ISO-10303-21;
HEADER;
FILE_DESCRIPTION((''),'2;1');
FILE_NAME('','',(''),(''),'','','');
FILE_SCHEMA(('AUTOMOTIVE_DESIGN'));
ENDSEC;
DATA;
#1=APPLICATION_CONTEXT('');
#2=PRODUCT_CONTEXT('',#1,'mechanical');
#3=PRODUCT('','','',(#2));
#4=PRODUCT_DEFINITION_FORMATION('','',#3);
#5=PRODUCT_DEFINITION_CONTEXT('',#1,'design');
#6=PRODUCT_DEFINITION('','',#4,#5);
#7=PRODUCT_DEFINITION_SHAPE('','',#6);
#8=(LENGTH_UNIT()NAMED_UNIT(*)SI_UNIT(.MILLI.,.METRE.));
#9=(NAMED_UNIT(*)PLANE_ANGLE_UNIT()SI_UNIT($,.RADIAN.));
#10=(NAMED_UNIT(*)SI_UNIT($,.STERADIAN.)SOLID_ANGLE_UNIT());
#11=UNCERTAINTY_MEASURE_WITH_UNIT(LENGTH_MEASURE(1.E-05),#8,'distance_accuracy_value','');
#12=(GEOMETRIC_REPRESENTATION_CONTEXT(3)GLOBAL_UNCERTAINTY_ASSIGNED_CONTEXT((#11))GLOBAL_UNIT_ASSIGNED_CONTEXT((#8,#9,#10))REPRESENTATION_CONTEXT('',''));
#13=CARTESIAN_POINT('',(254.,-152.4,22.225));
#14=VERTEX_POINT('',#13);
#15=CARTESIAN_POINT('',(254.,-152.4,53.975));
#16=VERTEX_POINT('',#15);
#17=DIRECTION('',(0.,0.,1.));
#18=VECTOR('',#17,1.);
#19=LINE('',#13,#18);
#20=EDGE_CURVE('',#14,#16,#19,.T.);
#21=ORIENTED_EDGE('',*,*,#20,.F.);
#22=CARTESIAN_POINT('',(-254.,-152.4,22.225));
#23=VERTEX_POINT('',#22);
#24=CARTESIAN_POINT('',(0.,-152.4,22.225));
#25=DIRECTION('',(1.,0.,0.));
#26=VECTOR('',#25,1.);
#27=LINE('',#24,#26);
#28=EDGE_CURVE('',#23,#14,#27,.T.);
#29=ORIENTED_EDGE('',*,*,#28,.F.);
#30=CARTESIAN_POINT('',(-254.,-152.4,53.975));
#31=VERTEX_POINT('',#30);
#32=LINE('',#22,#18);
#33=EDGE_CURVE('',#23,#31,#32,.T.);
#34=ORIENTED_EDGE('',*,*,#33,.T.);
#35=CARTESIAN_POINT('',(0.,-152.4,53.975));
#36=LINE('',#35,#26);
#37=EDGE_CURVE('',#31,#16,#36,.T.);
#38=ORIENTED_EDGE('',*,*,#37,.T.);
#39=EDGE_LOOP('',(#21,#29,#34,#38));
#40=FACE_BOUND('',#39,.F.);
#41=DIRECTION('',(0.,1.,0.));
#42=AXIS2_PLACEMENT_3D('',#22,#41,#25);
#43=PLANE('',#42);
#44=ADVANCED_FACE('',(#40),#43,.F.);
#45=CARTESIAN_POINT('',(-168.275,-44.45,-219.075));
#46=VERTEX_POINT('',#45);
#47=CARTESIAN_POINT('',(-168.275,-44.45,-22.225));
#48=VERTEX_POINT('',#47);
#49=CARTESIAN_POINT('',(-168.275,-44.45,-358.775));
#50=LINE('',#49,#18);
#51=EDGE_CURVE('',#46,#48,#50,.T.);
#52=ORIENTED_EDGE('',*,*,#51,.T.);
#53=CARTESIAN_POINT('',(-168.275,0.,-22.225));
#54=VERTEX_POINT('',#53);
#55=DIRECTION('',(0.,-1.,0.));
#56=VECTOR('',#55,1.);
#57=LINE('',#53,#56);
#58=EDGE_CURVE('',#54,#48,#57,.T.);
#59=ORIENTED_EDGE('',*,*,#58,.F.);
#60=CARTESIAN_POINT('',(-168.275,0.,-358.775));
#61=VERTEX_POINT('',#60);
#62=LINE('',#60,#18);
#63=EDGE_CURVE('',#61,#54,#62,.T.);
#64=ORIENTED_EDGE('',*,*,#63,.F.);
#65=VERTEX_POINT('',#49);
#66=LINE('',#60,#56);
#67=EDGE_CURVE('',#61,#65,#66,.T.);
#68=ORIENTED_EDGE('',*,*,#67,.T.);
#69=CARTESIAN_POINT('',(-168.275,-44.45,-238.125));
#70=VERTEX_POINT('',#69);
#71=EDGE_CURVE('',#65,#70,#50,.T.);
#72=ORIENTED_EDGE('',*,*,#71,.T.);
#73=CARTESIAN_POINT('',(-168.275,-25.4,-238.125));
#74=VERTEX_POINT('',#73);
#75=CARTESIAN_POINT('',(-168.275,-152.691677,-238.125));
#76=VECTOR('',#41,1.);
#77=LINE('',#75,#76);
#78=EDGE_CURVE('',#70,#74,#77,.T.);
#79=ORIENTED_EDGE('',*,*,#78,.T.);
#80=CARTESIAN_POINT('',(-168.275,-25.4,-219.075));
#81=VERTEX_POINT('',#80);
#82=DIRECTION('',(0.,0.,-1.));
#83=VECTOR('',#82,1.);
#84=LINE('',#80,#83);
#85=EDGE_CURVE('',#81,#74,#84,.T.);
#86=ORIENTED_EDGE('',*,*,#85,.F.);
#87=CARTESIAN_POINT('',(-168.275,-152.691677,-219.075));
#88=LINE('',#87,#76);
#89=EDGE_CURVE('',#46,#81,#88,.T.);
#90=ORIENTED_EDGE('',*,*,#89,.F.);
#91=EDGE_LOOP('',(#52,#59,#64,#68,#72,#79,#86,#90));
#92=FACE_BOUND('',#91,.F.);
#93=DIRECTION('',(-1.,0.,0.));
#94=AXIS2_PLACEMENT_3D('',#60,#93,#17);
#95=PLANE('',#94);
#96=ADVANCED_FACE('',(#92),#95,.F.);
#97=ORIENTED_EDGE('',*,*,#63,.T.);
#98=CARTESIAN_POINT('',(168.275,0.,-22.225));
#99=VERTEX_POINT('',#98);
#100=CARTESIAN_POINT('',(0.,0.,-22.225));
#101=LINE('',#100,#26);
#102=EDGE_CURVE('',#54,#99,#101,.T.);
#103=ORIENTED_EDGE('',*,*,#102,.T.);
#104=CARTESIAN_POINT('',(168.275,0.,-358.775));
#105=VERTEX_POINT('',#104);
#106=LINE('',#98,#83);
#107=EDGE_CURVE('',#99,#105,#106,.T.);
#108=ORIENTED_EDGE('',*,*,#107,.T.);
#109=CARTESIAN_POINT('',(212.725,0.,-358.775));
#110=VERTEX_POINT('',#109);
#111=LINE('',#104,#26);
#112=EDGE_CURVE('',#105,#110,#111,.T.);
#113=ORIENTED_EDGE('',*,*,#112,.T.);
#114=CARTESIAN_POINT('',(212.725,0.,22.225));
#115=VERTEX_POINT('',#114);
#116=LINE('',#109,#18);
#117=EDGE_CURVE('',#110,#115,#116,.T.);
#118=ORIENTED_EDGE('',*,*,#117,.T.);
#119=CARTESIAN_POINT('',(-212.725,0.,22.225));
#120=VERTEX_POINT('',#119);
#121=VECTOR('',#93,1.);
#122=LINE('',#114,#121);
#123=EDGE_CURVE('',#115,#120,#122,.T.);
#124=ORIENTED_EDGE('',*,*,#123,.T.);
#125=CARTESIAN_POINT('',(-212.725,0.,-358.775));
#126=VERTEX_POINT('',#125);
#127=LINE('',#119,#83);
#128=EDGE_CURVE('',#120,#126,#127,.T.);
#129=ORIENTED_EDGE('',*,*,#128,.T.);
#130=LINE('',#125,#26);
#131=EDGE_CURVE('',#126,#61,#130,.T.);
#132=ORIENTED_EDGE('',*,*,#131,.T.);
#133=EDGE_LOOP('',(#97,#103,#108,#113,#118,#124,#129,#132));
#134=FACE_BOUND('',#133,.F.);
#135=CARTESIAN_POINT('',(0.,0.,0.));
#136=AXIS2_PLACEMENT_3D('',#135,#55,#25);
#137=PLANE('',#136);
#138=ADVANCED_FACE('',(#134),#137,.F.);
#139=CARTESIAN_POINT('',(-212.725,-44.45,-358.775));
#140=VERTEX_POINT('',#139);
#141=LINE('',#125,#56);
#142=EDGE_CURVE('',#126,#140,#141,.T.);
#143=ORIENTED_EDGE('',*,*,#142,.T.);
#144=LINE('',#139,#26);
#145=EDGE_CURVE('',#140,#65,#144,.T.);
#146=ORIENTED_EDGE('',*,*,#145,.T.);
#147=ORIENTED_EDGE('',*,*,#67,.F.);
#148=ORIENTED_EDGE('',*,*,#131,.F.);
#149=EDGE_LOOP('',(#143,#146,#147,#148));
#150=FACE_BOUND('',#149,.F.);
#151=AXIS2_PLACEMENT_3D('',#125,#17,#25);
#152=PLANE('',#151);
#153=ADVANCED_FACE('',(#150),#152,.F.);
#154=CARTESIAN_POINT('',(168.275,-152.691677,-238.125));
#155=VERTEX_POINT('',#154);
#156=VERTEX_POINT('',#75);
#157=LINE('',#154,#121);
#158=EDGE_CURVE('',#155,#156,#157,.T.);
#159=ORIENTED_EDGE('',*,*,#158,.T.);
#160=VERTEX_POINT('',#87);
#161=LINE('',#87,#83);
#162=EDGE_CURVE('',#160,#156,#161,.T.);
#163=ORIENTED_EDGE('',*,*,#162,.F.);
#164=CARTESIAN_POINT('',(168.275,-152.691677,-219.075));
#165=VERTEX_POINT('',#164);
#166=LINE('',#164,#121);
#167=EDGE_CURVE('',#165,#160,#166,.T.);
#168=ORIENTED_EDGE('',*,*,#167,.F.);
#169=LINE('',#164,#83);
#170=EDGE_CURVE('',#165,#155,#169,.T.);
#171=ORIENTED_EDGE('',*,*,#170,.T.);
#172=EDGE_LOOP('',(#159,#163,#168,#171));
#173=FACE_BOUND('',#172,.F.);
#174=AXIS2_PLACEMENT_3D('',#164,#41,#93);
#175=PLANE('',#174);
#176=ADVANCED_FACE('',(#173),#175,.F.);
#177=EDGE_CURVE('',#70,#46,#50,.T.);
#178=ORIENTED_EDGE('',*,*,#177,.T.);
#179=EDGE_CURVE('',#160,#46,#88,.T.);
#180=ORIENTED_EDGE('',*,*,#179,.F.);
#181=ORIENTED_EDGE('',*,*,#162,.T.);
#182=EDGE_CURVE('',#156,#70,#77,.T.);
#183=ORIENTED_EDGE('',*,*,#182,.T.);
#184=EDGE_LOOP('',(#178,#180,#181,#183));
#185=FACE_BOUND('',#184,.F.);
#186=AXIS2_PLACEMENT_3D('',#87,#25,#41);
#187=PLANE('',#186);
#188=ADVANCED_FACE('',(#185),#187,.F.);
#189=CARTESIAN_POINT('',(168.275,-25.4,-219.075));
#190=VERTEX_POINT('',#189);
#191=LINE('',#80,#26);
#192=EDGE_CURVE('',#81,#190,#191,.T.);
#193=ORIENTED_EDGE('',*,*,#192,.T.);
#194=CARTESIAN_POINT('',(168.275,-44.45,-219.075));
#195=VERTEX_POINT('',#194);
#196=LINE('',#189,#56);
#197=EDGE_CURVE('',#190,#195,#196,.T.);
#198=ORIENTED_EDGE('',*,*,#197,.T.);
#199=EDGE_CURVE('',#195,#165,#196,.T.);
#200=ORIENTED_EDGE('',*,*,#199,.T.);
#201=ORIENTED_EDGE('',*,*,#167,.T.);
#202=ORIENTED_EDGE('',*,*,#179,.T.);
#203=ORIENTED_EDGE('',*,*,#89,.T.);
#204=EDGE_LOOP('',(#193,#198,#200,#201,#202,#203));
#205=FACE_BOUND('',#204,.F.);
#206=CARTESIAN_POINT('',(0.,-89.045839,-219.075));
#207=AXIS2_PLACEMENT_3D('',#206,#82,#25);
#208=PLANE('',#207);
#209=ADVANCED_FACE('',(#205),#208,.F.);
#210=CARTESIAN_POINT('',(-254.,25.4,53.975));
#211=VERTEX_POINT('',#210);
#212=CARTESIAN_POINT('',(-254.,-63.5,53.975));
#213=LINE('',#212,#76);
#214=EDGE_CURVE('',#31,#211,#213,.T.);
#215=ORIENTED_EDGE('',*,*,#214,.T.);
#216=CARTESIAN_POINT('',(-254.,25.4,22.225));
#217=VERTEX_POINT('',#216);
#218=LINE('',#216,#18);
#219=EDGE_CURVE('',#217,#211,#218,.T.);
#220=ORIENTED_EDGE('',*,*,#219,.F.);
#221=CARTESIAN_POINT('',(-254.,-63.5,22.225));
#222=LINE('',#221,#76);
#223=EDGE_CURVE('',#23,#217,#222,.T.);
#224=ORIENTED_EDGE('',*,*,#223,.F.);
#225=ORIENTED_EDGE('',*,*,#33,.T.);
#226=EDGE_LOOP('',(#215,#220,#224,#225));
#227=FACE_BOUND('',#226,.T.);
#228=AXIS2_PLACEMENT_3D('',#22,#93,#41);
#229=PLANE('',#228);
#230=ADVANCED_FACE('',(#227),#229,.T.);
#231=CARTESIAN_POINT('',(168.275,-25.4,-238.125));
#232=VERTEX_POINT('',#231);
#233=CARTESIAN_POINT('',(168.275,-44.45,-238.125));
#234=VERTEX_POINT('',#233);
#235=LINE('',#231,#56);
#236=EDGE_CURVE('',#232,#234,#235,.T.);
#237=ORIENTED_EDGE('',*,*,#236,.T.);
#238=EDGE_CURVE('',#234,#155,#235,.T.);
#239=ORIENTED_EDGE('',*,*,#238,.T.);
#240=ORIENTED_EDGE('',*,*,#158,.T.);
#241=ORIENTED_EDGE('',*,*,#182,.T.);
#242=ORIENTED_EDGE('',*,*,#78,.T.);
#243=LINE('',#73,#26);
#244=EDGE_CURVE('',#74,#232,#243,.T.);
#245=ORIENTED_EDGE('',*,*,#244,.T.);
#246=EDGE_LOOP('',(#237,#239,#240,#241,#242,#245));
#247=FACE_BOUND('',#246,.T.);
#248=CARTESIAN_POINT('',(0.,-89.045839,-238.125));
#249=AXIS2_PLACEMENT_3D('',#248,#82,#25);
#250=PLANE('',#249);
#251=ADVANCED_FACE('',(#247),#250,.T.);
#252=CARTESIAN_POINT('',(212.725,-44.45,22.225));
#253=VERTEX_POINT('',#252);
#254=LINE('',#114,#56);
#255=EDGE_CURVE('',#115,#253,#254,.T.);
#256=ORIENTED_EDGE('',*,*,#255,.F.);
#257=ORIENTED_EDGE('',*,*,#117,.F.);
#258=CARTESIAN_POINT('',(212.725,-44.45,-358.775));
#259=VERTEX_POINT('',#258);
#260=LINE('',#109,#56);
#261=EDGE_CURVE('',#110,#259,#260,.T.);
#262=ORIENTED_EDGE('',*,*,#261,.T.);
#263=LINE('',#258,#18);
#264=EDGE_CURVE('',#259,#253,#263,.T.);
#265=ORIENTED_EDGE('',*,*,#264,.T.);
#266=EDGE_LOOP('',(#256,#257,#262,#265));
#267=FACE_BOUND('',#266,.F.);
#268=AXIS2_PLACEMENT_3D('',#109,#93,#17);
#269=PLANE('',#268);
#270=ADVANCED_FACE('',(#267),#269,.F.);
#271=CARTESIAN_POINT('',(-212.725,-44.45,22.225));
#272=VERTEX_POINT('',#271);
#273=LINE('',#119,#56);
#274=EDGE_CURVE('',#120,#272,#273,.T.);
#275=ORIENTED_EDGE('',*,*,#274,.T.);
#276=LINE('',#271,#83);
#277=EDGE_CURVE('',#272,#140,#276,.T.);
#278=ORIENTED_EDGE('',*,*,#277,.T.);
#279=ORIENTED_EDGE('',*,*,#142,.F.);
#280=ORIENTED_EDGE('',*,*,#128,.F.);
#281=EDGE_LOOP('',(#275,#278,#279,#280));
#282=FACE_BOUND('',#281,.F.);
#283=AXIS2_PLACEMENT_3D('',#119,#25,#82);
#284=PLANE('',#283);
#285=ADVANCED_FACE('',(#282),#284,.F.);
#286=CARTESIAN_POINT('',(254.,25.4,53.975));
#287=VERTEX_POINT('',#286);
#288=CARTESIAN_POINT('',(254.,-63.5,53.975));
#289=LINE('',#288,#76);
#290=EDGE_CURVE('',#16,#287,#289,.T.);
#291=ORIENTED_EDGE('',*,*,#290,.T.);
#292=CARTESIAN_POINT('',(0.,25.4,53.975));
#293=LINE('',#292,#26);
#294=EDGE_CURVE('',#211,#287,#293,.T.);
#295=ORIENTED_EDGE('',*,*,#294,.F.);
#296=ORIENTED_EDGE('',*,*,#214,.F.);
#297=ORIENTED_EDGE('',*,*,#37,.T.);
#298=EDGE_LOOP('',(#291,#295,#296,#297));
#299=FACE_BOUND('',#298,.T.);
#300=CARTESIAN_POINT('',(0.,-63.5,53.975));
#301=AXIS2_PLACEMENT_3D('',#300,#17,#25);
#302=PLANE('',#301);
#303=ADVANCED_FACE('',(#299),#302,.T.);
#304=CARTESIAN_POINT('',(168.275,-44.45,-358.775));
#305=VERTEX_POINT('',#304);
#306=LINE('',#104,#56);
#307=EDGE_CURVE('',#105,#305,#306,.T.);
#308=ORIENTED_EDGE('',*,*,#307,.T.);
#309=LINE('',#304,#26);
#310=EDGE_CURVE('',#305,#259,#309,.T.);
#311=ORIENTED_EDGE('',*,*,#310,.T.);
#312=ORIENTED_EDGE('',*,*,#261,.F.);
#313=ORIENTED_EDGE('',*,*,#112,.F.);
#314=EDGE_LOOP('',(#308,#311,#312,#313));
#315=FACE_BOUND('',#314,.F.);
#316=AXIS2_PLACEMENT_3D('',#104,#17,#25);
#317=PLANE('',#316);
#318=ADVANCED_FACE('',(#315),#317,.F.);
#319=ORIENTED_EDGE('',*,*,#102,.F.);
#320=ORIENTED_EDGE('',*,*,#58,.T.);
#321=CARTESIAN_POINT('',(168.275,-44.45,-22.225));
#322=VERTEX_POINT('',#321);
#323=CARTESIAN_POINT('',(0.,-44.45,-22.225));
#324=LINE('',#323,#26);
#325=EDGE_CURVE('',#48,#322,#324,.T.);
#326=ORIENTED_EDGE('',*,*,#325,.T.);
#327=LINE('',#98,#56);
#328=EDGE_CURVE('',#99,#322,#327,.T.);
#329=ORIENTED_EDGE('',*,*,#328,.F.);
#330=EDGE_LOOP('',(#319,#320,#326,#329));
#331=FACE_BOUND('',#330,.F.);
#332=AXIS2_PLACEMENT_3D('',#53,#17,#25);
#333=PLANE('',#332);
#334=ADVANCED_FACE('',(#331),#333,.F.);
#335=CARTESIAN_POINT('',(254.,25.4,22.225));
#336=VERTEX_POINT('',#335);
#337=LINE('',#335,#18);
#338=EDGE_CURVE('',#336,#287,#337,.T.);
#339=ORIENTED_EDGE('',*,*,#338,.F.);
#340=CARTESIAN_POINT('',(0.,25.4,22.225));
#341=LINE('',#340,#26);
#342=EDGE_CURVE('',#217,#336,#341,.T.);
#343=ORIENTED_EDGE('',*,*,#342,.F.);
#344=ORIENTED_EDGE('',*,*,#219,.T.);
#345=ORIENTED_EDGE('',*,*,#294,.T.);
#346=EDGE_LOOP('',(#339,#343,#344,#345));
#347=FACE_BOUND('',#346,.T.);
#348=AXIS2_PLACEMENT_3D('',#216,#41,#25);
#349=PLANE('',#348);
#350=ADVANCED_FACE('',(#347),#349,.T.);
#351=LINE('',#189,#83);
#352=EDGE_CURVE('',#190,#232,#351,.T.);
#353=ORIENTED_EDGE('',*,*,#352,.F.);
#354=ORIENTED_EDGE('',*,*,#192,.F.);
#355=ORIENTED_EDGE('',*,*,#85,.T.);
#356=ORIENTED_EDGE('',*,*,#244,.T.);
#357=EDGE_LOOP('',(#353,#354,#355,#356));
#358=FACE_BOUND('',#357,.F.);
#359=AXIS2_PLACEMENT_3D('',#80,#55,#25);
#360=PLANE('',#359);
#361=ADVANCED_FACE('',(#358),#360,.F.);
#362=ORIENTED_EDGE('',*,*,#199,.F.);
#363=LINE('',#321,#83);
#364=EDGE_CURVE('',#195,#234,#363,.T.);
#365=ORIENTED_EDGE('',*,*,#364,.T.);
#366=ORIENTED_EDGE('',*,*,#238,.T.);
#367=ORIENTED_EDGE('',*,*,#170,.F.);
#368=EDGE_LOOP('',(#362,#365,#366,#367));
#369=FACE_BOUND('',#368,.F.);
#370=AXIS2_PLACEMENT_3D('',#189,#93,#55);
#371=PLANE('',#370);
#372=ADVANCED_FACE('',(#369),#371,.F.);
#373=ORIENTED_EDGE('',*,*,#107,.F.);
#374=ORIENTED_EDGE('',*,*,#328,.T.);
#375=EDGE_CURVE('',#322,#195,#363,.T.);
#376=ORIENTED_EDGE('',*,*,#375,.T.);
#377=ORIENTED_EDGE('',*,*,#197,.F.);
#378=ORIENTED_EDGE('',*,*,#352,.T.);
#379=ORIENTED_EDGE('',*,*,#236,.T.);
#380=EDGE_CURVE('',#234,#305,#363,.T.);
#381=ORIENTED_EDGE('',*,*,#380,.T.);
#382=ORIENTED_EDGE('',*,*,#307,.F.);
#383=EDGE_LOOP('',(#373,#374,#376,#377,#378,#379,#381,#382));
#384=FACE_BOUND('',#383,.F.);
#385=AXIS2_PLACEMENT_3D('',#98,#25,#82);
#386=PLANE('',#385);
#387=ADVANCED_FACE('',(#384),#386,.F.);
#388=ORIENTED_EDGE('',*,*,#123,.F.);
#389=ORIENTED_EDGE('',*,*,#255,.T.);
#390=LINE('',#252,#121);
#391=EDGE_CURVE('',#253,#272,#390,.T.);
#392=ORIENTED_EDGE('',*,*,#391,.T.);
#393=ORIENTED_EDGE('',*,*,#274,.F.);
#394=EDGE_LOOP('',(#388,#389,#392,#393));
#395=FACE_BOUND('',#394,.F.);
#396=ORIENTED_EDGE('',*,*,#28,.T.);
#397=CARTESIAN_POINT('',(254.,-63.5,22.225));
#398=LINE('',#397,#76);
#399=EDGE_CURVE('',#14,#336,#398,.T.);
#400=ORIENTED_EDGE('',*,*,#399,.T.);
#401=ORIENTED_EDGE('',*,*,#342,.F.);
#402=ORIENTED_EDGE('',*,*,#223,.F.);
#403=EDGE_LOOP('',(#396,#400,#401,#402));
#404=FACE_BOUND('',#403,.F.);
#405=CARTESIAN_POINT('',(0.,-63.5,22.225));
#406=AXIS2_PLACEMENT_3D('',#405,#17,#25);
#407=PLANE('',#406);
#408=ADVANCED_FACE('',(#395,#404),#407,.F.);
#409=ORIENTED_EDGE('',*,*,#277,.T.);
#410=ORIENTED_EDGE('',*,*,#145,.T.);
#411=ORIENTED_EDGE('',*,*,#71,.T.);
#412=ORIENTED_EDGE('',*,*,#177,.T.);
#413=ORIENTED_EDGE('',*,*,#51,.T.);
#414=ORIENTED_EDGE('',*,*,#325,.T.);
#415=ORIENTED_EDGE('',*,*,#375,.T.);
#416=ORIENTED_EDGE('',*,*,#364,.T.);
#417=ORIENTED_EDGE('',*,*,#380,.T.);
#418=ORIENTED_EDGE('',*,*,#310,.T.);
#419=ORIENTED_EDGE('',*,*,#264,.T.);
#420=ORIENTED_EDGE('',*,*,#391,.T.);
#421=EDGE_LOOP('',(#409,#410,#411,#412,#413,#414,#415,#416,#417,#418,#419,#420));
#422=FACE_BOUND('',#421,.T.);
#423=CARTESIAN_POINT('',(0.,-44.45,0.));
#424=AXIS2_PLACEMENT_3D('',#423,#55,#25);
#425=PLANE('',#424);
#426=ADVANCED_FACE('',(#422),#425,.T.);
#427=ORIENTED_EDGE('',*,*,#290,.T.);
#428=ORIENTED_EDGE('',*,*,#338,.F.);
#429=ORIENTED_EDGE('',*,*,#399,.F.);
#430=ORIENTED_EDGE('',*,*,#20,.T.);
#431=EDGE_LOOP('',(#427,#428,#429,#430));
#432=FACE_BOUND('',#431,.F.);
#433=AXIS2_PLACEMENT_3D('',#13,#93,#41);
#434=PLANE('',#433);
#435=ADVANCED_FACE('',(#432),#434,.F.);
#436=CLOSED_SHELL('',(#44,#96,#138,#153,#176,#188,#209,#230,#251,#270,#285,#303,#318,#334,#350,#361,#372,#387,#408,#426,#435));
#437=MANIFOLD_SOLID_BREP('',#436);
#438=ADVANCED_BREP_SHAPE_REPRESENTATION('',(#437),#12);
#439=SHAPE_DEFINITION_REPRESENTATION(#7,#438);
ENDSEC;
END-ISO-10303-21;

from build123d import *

# Parameters (mm, degrees)
F0_W     = 336.55
F0_H     = 44.45
F1_DEPTH = 44.45
F2_W     = 508
F2_H     = 177.8
F3_DEPTH = 31.75
F6_DEPTH = 19.05


with BuildPart() as f1:
    # F0 (on Front) → F1 (new body)
    with BuildSketch(Plane.XZ):
        Rectangle(F0_W, F0_H)
        Polygon((-168.275, -22.225), (-168.275, 22.225), (-212.725, 22.225), (-212.725, -358.775), (-168.275, -358.775), align=None)
        Polygon((212.725, 22.225), (168.275, 22.225), (168.275, -22.225), (168.275, -358.775), (212.725, -358.775), align=None)
    extrude(amount=F1_DEPTH)

    # F2 (on face) → F3 (join)
    with BuildSketch(Plane.XY.offset(22.225)):
        with Locations((0, -63.5)):
            Rectangle(F2_W, F2_H)
    extrude(amount=F3_DEPTH)

    # F5 (on offset) → F6 (join)
    with BuildSketch(Plane(origin=(0, 0, -219.075), x_dir=(1, 0, 0), z_dir=(0, 0, -1))):
        Polygon((-168.275, 44.45), (-168.275, 25.4), (168.275, 25.4), (168.275, 44.45), (168.275, 152.6916772127), (-168.275, 152.6916772127), align=None)
    extrude(amount=F6_DEPTH)


solid = f1.part
